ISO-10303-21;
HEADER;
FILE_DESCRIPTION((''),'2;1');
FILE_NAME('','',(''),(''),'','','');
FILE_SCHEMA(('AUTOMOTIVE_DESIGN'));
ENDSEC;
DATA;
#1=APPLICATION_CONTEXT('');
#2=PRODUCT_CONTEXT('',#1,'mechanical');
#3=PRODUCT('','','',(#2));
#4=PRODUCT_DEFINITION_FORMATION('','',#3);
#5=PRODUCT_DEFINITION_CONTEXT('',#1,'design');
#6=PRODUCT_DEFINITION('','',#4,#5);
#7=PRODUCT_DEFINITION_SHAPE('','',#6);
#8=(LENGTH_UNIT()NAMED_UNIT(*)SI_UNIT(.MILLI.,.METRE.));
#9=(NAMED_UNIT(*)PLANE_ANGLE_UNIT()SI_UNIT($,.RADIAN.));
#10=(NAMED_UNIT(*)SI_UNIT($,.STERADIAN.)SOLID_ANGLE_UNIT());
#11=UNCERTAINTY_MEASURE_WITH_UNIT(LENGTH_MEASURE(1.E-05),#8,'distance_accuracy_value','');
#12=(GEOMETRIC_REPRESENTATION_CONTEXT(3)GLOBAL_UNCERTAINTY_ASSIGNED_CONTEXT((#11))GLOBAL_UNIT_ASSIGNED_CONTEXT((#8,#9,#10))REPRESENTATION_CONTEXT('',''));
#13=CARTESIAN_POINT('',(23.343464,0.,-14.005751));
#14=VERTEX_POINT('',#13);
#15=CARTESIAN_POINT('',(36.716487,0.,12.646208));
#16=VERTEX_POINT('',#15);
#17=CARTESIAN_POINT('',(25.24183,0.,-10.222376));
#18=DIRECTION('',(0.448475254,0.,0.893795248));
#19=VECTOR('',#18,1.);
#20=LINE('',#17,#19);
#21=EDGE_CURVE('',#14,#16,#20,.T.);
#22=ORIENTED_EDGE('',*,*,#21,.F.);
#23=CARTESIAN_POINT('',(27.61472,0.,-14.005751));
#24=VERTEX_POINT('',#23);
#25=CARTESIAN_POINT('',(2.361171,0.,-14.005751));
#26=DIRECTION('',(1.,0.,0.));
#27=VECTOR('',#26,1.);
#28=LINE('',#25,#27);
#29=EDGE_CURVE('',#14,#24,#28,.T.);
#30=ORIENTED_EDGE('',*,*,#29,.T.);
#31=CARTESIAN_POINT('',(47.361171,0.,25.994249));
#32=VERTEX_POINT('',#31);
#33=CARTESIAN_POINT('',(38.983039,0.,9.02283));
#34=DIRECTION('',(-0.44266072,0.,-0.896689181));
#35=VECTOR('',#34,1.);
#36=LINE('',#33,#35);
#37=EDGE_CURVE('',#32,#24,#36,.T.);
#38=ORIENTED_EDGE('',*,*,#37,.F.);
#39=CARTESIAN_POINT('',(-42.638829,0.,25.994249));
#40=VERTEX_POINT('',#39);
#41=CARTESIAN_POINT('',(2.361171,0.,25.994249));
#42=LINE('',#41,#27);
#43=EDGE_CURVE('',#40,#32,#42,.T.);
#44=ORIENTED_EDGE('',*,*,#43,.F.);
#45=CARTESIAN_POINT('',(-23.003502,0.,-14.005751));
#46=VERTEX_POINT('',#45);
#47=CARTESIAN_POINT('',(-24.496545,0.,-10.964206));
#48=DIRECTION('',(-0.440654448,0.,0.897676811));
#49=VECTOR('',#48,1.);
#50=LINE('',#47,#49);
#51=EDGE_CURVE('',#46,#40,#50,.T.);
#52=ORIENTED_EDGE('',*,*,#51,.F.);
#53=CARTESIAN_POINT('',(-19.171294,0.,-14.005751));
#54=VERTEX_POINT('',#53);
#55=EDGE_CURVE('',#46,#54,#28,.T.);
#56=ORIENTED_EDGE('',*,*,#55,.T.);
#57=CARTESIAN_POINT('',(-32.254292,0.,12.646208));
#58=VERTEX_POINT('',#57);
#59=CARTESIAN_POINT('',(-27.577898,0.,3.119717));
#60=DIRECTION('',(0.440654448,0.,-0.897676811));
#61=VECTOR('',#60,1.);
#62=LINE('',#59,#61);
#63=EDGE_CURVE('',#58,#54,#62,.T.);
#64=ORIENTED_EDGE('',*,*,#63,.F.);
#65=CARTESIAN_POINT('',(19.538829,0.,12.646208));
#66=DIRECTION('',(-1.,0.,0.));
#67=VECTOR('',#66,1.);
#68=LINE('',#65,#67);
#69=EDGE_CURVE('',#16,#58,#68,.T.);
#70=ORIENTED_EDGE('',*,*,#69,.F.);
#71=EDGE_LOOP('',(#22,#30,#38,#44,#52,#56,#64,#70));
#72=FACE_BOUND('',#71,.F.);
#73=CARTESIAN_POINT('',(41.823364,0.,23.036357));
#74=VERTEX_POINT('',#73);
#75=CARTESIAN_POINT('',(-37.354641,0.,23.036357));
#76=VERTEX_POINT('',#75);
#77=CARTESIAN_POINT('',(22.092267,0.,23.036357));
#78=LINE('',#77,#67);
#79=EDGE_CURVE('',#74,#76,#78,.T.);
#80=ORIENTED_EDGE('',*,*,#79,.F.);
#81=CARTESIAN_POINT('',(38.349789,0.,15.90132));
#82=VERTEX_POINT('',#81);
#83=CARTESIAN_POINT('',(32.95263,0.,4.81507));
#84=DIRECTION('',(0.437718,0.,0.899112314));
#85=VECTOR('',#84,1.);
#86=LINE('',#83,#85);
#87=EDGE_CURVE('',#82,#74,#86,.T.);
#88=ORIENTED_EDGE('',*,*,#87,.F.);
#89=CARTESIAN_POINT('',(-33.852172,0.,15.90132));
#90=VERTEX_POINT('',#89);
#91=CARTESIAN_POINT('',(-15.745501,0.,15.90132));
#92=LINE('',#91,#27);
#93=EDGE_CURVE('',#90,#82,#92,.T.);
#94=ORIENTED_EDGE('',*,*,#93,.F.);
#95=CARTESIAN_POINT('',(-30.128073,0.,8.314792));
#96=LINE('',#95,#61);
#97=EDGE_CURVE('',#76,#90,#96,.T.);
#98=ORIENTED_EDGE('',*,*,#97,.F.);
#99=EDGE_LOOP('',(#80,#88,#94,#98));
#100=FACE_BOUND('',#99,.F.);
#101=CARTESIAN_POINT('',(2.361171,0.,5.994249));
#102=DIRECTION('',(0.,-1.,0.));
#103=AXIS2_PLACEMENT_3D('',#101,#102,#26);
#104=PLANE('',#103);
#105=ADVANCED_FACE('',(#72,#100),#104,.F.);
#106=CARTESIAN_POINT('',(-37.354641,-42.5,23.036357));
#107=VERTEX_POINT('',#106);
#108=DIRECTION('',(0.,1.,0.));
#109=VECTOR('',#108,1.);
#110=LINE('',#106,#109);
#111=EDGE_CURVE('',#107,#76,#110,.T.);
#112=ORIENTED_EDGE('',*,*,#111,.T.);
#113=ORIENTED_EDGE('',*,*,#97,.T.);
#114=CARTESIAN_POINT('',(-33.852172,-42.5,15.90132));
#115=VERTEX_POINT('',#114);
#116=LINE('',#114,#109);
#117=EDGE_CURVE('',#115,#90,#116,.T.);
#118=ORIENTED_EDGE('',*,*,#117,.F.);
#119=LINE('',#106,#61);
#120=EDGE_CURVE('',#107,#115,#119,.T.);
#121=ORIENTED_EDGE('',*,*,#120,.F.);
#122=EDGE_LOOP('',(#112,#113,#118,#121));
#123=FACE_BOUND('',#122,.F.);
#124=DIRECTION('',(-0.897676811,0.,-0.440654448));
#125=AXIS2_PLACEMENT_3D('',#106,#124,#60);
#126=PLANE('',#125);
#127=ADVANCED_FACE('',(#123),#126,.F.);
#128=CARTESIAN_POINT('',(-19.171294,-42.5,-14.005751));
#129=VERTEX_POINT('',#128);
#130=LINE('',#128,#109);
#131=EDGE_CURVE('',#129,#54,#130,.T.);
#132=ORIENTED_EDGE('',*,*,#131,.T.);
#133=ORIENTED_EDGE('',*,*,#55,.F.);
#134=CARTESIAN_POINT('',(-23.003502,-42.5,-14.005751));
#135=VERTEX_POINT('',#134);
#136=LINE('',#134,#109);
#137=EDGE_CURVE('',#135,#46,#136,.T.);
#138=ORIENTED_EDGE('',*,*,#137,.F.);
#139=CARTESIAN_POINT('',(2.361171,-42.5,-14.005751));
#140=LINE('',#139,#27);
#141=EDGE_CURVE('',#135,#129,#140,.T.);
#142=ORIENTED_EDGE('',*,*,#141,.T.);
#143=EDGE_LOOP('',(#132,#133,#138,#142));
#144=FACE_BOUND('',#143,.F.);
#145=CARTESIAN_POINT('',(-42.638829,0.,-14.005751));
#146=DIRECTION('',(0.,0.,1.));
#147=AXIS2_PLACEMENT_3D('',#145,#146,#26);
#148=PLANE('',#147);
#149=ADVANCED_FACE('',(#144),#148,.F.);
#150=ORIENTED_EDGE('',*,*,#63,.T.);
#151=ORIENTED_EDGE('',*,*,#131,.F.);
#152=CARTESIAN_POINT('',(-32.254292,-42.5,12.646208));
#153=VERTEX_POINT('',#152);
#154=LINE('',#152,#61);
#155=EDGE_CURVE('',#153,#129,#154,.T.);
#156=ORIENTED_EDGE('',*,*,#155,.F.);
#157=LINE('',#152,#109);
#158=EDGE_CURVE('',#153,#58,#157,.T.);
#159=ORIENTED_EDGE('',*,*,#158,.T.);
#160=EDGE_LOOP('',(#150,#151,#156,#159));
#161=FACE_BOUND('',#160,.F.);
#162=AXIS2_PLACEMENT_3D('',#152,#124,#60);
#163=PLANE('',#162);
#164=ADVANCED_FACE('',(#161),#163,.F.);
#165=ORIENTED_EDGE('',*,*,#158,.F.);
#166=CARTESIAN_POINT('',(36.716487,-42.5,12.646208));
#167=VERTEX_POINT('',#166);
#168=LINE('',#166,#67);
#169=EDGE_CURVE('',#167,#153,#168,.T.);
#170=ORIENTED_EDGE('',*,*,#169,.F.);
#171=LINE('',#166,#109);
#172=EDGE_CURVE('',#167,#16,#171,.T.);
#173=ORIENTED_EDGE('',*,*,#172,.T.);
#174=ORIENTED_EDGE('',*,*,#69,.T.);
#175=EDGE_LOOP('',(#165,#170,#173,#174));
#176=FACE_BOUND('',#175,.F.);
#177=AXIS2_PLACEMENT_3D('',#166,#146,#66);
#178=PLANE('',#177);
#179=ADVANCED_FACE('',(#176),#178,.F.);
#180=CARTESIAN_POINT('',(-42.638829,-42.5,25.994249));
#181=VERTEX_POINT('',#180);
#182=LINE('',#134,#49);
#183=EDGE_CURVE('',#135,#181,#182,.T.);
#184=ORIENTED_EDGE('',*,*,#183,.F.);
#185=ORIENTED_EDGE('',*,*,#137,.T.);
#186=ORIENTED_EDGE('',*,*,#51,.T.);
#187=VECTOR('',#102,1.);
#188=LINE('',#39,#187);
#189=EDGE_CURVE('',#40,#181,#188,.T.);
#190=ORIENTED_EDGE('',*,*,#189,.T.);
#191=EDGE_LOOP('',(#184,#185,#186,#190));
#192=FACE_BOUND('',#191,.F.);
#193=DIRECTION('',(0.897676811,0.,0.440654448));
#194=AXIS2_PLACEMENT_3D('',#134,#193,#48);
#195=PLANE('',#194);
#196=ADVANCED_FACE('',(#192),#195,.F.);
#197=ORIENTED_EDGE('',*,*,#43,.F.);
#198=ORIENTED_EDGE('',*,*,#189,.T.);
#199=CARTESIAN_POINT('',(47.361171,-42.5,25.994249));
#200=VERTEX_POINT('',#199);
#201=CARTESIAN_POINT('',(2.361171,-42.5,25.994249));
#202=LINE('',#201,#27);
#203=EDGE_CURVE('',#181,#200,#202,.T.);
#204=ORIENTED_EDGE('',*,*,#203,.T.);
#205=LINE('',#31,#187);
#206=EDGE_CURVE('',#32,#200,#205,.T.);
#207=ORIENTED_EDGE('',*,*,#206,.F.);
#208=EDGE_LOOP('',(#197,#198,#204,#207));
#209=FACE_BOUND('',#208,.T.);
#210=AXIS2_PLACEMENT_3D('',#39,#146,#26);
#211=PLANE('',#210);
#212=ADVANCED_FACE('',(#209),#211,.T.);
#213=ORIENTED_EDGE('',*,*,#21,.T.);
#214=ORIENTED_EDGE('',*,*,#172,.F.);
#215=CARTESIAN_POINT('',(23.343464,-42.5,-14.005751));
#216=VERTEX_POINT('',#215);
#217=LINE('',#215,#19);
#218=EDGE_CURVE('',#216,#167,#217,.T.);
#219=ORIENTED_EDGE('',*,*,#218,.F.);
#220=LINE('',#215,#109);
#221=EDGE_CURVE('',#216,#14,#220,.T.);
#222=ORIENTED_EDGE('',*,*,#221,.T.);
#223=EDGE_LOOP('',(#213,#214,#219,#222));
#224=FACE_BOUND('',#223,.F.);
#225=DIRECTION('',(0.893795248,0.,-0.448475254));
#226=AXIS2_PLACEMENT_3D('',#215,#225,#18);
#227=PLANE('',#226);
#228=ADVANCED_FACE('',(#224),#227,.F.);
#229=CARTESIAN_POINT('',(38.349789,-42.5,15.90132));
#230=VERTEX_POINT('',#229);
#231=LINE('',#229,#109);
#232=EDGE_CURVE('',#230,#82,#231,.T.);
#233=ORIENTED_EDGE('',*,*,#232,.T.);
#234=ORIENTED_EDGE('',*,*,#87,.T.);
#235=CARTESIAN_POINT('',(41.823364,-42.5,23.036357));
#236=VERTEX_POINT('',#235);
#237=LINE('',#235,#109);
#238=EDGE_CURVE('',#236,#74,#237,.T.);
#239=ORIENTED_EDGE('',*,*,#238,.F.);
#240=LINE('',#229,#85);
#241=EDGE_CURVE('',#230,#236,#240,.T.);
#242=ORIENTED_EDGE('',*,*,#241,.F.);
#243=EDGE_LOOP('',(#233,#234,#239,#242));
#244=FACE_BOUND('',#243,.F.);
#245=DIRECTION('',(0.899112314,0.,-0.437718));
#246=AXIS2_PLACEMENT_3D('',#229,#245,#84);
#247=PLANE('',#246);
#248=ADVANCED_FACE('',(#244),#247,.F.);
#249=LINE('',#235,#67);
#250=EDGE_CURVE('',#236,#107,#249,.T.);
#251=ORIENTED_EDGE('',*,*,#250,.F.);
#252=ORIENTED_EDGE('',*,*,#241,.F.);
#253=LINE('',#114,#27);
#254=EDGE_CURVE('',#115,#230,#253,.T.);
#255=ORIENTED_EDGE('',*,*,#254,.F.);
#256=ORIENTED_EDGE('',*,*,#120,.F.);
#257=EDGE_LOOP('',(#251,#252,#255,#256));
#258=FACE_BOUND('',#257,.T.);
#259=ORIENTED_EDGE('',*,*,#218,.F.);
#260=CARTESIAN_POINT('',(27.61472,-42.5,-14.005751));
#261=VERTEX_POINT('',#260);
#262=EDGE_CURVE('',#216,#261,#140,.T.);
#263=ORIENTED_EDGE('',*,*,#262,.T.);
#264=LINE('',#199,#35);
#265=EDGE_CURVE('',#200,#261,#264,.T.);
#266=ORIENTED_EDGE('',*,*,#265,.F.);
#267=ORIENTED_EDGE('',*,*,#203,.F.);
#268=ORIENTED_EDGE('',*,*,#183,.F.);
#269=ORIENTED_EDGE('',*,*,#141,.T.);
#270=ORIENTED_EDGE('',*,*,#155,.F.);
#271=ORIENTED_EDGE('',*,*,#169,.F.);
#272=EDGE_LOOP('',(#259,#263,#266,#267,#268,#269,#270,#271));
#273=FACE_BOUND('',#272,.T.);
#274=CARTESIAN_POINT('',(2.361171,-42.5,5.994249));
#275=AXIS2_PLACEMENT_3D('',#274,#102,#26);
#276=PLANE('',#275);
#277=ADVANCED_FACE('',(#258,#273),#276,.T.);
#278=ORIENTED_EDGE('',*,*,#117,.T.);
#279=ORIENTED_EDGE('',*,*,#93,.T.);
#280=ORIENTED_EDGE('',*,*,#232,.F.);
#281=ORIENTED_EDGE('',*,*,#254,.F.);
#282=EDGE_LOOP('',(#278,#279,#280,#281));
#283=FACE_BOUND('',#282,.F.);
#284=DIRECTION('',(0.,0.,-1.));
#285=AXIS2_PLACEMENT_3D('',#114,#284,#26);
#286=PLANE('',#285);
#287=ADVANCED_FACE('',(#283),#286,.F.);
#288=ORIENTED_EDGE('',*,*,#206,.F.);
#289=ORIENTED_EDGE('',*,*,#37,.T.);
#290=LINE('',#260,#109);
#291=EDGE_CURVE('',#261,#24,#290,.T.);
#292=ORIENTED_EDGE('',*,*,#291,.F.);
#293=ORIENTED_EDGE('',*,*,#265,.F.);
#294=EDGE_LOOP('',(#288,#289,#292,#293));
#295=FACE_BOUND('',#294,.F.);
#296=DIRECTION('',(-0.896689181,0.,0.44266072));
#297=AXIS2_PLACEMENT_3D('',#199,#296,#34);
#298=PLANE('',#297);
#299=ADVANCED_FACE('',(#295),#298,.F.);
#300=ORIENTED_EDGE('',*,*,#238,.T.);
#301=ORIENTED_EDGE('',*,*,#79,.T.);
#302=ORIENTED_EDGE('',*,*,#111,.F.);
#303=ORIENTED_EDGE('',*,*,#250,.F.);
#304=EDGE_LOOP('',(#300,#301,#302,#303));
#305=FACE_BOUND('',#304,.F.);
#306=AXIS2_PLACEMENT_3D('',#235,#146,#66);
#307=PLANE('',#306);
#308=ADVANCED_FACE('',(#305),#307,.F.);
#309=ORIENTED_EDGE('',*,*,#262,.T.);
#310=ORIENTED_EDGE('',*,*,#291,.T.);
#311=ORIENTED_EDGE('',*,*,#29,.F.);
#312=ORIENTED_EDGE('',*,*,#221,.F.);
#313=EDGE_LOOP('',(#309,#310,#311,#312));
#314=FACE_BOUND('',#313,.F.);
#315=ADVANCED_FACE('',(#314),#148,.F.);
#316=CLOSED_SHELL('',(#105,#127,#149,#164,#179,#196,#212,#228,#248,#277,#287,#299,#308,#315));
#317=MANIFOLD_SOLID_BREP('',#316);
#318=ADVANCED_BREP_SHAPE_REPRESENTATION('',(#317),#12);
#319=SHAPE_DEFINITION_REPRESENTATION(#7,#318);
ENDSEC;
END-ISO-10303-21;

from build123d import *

# Parameters (mm, degrees)
F0_W     = 180
F0_H     = 80
F1_DEPTH = 85
F3_DEPTH = 85.001
F5_DEPTH = 85.001
F6_SCALE = 0.5


with BuildPart() as f1:
    # F0 (on Front) → F1 (new body)
    with BuildSketch(Plane.XZ):
        with Locations((4.7223418951, 11.9884983084)):
            Rectangle(F0_W, F0_H)
    extrude(amount=F1_DEPTH)

    # F2 (on face) → F3 (cut, through all)
    with BuildSketch(Plane.XZ.offset(85)):
        Polygon((-46.0070036352, -28.0115016916), (-85.2776581049, 51.9884983084), (-85.2776581049, -28.0115016916), align=None)
        Polygon((94.7223418951, -28.0115016916), (94.7223418951, 51.9884983084), (55.2294403315, -28.0115016916), align=None)
    extrude(amount=-F3_DEPTH, mode=Mode.SUBTRACT)

    # F4 (on face) → F5 (cut, through all)
    with BuildSketch(Plane.XZ.offset(85)):
        Polygon((-74.7092828557, 46.072713804), (-67.7043439121, 31.8026405634), (76.6995772719, 31.8026405634), (83.6467270564, 46.072713804), align=None)
        Polygon((73.4329734772, 25.2924152588), (-64.5085838063, 25.2924152588), (-38.3425875008, -28.0115016916), (46.6869287193, -28.0115016916), align=None)
    extrude(amount=-F5_DEPTH, mode=Mode.SUBTRACT)


with BuildPart() as f1_1:
    # F6: moved
    add(f1.part.scale(F6_SCALE))


solid = f1_1.part
